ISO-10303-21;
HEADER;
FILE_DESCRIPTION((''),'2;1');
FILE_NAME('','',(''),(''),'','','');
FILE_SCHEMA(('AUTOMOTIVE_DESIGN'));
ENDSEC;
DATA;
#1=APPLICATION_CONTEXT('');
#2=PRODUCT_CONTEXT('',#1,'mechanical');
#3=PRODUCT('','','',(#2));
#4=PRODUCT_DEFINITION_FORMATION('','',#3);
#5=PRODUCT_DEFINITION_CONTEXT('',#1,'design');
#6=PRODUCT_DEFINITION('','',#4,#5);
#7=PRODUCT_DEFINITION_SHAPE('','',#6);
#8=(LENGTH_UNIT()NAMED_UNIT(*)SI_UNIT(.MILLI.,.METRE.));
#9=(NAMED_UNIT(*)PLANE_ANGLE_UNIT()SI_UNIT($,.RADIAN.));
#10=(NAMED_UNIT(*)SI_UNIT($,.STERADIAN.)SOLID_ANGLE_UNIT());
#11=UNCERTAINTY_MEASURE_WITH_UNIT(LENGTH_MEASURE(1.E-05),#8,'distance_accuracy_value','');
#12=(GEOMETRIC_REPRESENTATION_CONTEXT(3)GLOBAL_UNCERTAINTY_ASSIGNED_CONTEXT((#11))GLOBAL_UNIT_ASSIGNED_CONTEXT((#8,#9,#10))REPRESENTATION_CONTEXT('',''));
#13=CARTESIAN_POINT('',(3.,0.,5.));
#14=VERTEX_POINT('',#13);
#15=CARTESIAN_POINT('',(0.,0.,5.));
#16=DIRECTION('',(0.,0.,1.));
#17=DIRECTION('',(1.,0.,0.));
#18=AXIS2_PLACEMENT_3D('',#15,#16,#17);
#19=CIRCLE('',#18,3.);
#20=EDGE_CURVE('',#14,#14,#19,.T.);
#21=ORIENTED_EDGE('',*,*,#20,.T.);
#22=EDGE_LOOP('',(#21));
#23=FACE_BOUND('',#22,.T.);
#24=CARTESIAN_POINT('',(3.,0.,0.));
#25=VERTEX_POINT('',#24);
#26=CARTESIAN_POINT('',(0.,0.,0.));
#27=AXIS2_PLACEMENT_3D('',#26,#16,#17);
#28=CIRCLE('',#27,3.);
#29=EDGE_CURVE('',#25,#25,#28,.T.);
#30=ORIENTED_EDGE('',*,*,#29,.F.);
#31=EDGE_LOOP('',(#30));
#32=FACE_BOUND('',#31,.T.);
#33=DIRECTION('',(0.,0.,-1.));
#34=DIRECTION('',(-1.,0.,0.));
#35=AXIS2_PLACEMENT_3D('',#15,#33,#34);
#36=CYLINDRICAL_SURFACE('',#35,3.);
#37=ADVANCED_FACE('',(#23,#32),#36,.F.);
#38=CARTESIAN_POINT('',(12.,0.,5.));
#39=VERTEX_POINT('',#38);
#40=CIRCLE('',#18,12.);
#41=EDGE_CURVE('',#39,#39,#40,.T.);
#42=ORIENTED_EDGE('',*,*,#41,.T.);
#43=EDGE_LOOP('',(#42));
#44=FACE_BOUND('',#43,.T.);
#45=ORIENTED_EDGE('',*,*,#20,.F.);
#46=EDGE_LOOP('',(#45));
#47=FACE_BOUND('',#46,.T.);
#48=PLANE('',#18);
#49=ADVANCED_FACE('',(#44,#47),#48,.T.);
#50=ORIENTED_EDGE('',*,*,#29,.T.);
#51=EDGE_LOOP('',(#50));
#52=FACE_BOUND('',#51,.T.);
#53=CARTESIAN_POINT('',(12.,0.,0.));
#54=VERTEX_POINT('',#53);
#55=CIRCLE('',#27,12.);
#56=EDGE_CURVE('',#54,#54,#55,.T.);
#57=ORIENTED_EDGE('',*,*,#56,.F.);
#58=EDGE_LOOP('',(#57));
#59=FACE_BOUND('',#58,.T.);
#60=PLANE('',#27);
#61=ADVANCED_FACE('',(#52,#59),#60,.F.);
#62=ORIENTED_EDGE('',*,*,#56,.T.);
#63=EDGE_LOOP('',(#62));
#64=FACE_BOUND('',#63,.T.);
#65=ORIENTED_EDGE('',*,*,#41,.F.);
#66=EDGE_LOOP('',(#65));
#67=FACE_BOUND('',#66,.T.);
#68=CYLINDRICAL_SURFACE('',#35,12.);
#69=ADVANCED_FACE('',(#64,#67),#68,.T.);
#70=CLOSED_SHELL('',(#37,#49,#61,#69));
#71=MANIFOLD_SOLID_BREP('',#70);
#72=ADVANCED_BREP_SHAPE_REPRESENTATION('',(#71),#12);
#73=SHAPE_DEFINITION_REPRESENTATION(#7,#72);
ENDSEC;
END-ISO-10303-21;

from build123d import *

# Parameters (mm, degrees)
SKETCH_1_R      = 12
SKETCH_1_R_2    = 3
EXTRUDE_1_DEPTH = 5


with BuildPart() as part:
    # 草图1 → 凸台-拉伸1 (new body)
    with BuildSketch(Plane.XY):
        Circle(SKETCH_1_R)
        Circle(SKETCH_1_R_2, mode=Mode.SUBTRACT)
    extrude(amount=EXTRUDE_1_DEPTH)


solid = part.part
